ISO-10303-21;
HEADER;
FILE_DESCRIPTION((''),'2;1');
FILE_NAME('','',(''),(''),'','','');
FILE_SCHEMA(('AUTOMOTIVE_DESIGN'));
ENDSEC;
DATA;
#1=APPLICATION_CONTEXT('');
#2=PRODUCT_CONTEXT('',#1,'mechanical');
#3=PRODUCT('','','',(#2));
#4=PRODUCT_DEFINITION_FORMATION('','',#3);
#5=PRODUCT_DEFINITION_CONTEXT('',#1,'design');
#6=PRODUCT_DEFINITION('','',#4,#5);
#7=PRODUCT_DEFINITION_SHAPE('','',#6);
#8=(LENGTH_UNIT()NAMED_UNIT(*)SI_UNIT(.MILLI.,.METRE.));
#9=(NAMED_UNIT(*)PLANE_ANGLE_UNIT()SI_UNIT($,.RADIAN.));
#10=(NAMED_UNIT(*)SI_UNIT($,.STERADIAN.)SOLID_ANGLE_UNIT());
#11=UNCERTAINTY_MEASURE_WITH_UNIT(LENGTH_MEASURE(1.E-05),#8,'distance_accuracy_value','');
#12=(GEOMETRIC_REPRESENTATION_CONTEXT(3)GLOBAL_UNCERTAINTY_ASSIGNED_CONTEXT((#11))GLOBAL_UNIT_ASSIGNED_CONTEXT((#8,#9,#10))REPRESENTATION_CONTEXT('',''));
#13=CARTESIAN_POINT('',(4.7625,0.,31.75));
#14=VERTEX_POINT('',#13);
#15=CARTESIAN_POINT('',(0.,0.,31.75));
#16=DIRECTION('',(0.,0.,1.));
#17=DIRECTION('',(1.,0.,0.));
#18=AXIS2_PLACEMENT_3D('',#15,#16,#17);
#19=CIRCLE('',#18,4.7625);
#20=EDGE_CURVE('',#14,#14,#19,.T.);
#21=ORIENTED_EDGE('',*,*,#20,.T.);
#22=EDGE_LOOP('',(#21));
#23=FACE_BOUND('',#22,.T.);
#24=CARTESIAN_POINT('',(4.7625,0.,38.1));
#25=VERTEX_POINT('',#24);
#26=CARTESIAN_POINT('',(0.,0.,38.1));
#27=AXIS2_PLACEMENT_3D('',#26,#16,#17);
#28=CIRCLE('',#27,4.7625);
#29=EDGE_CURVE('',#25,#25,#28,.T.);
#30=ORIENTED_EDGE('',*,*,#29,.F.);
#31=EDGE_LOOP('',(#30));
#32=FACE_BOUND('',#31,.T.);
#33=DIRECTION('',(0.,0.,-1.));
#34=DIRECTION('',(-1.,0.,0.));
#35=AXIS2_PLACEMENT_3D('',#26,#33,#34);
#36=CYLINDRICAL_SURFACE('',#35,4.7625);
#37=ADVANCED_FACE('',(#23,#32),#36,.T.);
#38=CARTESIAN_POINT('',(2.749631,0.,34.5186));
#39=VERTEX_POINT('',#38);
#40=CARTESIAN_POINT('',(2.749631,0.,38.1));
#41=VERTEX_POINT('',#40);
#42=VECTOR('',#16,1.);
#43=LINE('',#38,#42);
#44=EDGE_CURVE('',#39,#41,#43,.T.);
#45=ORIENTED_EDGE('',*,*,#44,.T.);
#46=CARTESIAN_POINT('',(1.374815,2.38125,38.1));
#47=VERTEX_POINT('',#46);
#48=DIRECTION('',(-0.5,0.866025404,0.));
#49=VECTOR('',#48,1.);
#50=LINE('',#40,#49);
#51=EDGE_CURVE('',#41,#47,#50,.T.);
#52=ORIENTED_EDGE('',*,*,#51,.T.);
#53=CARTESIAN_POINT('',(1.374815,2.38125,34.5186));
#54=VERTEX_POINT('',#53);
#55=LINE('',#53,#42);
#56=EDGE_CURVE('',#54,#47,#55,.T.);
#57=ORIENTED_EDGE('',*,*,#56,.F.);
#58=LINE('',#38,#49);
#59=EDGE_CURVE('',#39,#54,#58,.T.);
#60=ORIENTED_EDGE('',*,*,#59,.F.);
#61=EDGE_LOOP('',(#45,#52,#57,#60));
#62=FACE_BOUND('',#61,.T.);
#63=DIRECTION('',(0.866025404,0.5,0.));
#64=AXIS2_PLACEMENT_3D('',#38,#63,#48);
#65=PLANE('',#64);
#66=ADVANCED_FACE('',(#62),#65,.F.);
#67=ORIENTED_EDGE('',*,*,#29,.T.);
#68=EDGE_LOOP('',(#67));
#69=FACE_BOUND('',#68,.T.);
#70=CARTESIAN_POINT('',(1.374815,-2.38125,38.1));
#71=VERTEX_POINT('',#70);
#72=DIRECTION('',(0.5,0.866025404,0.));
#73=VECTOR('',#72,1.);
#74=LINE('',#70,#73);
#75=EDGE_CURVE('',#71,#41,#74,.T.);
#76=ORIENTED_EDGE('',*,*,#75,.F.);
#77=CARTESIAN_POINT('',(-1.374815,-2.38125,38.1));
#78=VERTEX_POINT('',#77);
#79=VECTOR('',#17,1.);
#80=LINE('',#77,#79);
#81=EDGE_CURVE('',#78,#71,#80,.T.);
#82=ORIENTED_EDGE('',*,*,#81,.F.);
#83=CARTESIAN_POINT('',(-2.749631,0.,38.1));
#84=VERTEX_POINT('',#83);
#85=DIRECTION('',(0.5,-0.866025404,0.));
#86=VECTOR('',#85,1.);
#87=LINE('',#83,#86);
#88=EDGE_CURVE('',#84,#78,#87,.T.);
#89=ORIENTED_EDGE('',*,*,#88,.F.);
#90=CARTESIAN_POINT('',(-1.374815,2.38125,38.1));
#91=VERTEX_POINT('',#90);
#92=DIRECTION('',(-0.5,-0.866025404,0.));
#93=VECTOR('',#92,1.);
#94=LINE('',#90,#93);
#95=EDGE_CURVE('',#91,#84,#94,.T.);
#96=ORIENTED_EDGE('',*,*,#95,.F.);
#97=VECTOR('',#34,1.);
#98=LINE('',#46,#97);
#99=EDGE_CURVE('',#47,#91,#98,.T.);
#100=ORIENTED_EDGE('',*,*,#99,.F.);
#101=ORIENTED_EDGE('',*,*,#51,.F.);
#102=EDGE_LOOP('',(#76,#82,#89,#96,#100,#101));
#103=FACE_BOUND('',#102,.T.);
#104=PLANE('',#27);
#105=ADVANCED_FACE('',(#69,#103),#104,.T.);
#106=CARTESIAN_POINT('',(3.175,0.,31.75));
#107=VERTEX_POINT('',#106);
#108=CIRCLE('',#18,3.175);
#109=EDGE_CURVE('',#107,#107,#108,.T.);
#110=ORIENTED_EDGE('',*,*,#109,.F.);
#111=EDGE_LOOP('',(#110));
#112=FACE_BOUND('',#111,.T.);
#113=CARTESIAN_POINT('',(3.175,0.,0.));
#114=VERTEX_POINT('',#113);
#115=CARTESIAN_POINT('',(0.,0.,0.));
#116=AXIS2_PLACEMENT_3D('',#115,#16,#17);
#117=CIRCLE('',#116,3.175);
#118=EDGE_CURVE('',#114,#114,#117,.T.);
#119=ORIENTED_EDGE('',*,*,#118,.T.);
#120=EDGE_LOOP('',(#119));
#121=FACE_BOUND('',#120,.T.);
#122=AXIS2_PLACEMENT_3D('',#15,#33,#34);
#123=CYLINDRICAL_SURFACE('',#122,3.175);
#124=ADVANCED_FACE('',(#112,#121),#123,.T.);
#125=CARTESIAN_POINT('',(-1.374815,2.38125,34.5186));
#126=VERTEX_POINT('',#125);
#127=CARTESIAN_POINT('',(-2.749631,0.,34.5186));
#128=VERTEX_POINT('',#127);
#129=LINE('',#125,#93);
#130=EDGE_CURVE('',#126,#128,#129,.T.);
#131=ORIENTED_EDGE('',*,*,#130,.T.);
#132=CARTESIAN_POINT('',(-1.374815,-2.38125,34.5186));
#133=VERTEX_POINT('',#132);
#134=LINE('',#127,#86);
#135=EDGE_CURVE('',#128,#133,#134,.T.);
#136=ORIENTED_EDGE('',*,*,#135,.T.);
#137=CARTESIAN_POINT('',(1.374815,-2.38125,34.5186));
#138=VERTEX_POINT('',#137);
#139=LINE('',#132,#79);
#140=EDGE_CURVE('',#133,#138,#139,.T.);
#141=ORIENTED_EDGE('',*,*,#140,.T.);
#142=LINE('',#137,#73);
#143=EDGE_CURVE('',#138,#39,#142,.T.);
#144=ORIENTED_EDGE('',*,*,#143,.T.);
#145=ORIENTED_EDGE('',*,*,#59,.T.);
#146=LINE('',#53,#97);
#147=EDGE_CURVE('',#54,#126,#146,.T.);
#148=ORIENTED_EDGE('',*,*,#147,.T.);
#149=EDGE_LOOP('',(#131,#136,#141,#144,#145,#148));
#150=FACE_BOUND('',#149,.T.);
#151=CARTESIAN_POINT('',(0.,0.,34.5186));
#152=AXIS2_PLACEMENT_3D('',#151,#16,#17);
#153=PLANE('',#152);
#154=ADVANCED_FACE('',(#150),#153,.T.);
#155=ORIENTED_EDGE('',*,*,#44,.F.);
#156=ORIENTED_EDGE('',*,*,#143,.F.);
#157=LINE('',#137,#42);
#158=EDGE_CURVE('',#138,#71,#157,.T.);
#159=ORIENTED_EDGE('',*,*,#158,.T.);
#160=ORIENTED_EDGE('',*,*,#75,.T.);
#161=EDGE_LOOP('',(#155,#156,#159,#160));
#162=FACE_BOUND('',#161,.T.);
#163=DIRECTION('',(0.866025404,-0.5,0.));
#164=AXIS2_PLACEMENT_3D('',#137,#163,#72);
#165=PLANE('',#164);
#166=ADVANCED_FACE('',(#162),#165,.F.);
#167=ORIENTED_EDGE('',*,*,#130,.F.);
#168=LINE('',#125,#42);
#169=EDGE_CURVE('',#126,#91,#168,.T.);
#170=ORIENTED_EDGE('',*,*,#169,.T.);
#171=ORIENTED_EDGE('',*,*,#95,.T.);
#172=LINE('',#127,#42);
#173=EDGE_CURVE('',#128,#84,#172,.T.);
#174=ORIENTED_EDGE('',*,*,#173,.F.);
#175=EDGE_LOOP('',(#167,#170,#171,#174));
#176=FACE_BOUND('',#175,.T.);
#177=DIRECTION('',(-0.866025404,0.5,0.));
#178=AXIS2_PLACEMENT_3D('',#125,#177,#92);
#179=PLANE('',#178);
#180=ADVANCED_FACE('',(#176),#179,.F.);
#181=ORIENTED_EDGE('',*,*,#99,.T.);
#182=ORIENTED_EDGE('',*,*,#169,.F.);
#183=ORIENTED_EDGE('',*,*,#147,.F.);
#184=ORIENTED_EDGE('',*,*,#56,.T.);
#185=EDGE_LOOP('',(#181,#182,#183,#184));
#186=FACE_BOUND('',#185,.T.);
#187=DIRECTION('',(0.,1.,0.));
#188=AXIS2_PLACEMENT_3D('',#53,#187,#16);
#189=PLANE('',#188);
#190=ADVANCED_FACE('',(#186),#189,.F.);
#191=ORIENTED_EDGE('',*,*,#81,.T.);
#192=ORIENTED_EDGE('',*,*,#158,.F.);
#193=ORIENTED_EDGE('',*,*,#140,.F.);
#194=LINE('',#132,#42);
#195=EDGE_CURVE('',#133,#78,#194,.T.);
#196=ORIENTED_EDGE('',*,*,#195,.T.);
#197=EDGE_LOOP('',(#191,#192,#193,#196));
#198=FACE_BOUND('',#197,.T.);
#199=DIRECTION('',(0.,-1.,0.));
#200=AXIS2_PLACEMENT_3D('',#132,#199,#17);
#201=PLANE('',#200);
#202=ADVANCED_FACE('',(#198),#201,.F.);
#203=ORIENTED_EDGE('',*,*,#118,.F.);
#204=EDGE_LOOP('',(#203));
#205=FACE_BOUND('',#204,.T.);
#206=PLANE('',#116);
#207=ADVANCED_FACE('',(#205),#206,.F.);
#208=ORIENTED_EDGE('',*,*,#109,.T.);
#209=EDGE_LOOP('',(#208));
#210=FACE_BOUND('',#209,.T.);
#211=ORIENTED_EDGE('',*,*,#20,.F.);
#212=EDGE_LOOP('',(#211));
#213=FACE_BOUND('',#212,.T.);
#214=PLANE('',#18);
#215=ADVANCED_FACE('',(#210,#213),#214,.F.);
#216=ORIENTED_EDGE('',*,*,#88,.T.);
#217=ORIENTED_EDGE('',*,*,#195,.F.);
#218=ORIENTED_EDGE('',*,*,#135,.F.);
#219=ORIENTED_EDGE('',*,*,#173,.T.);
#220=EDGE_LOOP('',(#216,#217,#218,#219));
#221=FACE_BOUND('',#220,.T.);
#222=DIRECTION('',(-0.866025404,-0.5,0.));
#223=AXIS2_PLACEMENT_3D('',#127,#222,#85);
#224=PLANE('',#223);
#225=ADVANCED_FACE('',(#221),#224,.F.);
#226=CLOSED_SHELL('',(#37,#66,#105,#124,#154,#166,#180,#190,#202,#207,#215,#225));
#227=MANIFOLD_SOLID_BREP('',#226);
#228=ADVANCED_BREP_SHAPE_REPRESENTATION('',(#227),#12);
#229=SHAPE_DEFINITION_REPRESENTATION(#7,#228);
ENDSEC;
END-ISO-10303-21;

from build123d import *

# Parameters (mm, degrees)
SKETCH1_R           = 3.175
BOSS_EXTRUDE1_DEPTH = 31.75
SKETCH2_R           = 4.7625
BOSS_EXTRUDE2_DEPTH = 6.35
CUT_EXTRUDE1_DEPTH  = 3.5814


with BuildPart() as part:
    # Sketch1 → Boss-Extrude1 (new body)
    with BuildSketch(Plane.XY):
        Circle(SKETCH1_R)
    extrude(amount=BOSS_EXTRUDE1_DEPTH)

    # Sketch2 → Boss-Extrude2 (add)
    with BuildSketch(Plane.XY.offset(31.75)):
        Circle(SKETCH2_R)
    extrude(amount=BOSS_EXTRUDE2_DEPTH)

    # Sketch3 → Cut-Extrude1 (cut)
    with BuildSketch(Plane.XY.offset(38.1)):
        Polygon((2.749630657, 0), (1.374815329, 2.38125), (-1.374815329, 2.38125), (-2.749630657, 0), (-1.374815329, -2.38125), (1.374815329, -2.38125), align=None)
    extrude(amount=-CUT_EXTRUDE1_DEPTH, mode=Mode.SUBTRACT)


solid = part.part
